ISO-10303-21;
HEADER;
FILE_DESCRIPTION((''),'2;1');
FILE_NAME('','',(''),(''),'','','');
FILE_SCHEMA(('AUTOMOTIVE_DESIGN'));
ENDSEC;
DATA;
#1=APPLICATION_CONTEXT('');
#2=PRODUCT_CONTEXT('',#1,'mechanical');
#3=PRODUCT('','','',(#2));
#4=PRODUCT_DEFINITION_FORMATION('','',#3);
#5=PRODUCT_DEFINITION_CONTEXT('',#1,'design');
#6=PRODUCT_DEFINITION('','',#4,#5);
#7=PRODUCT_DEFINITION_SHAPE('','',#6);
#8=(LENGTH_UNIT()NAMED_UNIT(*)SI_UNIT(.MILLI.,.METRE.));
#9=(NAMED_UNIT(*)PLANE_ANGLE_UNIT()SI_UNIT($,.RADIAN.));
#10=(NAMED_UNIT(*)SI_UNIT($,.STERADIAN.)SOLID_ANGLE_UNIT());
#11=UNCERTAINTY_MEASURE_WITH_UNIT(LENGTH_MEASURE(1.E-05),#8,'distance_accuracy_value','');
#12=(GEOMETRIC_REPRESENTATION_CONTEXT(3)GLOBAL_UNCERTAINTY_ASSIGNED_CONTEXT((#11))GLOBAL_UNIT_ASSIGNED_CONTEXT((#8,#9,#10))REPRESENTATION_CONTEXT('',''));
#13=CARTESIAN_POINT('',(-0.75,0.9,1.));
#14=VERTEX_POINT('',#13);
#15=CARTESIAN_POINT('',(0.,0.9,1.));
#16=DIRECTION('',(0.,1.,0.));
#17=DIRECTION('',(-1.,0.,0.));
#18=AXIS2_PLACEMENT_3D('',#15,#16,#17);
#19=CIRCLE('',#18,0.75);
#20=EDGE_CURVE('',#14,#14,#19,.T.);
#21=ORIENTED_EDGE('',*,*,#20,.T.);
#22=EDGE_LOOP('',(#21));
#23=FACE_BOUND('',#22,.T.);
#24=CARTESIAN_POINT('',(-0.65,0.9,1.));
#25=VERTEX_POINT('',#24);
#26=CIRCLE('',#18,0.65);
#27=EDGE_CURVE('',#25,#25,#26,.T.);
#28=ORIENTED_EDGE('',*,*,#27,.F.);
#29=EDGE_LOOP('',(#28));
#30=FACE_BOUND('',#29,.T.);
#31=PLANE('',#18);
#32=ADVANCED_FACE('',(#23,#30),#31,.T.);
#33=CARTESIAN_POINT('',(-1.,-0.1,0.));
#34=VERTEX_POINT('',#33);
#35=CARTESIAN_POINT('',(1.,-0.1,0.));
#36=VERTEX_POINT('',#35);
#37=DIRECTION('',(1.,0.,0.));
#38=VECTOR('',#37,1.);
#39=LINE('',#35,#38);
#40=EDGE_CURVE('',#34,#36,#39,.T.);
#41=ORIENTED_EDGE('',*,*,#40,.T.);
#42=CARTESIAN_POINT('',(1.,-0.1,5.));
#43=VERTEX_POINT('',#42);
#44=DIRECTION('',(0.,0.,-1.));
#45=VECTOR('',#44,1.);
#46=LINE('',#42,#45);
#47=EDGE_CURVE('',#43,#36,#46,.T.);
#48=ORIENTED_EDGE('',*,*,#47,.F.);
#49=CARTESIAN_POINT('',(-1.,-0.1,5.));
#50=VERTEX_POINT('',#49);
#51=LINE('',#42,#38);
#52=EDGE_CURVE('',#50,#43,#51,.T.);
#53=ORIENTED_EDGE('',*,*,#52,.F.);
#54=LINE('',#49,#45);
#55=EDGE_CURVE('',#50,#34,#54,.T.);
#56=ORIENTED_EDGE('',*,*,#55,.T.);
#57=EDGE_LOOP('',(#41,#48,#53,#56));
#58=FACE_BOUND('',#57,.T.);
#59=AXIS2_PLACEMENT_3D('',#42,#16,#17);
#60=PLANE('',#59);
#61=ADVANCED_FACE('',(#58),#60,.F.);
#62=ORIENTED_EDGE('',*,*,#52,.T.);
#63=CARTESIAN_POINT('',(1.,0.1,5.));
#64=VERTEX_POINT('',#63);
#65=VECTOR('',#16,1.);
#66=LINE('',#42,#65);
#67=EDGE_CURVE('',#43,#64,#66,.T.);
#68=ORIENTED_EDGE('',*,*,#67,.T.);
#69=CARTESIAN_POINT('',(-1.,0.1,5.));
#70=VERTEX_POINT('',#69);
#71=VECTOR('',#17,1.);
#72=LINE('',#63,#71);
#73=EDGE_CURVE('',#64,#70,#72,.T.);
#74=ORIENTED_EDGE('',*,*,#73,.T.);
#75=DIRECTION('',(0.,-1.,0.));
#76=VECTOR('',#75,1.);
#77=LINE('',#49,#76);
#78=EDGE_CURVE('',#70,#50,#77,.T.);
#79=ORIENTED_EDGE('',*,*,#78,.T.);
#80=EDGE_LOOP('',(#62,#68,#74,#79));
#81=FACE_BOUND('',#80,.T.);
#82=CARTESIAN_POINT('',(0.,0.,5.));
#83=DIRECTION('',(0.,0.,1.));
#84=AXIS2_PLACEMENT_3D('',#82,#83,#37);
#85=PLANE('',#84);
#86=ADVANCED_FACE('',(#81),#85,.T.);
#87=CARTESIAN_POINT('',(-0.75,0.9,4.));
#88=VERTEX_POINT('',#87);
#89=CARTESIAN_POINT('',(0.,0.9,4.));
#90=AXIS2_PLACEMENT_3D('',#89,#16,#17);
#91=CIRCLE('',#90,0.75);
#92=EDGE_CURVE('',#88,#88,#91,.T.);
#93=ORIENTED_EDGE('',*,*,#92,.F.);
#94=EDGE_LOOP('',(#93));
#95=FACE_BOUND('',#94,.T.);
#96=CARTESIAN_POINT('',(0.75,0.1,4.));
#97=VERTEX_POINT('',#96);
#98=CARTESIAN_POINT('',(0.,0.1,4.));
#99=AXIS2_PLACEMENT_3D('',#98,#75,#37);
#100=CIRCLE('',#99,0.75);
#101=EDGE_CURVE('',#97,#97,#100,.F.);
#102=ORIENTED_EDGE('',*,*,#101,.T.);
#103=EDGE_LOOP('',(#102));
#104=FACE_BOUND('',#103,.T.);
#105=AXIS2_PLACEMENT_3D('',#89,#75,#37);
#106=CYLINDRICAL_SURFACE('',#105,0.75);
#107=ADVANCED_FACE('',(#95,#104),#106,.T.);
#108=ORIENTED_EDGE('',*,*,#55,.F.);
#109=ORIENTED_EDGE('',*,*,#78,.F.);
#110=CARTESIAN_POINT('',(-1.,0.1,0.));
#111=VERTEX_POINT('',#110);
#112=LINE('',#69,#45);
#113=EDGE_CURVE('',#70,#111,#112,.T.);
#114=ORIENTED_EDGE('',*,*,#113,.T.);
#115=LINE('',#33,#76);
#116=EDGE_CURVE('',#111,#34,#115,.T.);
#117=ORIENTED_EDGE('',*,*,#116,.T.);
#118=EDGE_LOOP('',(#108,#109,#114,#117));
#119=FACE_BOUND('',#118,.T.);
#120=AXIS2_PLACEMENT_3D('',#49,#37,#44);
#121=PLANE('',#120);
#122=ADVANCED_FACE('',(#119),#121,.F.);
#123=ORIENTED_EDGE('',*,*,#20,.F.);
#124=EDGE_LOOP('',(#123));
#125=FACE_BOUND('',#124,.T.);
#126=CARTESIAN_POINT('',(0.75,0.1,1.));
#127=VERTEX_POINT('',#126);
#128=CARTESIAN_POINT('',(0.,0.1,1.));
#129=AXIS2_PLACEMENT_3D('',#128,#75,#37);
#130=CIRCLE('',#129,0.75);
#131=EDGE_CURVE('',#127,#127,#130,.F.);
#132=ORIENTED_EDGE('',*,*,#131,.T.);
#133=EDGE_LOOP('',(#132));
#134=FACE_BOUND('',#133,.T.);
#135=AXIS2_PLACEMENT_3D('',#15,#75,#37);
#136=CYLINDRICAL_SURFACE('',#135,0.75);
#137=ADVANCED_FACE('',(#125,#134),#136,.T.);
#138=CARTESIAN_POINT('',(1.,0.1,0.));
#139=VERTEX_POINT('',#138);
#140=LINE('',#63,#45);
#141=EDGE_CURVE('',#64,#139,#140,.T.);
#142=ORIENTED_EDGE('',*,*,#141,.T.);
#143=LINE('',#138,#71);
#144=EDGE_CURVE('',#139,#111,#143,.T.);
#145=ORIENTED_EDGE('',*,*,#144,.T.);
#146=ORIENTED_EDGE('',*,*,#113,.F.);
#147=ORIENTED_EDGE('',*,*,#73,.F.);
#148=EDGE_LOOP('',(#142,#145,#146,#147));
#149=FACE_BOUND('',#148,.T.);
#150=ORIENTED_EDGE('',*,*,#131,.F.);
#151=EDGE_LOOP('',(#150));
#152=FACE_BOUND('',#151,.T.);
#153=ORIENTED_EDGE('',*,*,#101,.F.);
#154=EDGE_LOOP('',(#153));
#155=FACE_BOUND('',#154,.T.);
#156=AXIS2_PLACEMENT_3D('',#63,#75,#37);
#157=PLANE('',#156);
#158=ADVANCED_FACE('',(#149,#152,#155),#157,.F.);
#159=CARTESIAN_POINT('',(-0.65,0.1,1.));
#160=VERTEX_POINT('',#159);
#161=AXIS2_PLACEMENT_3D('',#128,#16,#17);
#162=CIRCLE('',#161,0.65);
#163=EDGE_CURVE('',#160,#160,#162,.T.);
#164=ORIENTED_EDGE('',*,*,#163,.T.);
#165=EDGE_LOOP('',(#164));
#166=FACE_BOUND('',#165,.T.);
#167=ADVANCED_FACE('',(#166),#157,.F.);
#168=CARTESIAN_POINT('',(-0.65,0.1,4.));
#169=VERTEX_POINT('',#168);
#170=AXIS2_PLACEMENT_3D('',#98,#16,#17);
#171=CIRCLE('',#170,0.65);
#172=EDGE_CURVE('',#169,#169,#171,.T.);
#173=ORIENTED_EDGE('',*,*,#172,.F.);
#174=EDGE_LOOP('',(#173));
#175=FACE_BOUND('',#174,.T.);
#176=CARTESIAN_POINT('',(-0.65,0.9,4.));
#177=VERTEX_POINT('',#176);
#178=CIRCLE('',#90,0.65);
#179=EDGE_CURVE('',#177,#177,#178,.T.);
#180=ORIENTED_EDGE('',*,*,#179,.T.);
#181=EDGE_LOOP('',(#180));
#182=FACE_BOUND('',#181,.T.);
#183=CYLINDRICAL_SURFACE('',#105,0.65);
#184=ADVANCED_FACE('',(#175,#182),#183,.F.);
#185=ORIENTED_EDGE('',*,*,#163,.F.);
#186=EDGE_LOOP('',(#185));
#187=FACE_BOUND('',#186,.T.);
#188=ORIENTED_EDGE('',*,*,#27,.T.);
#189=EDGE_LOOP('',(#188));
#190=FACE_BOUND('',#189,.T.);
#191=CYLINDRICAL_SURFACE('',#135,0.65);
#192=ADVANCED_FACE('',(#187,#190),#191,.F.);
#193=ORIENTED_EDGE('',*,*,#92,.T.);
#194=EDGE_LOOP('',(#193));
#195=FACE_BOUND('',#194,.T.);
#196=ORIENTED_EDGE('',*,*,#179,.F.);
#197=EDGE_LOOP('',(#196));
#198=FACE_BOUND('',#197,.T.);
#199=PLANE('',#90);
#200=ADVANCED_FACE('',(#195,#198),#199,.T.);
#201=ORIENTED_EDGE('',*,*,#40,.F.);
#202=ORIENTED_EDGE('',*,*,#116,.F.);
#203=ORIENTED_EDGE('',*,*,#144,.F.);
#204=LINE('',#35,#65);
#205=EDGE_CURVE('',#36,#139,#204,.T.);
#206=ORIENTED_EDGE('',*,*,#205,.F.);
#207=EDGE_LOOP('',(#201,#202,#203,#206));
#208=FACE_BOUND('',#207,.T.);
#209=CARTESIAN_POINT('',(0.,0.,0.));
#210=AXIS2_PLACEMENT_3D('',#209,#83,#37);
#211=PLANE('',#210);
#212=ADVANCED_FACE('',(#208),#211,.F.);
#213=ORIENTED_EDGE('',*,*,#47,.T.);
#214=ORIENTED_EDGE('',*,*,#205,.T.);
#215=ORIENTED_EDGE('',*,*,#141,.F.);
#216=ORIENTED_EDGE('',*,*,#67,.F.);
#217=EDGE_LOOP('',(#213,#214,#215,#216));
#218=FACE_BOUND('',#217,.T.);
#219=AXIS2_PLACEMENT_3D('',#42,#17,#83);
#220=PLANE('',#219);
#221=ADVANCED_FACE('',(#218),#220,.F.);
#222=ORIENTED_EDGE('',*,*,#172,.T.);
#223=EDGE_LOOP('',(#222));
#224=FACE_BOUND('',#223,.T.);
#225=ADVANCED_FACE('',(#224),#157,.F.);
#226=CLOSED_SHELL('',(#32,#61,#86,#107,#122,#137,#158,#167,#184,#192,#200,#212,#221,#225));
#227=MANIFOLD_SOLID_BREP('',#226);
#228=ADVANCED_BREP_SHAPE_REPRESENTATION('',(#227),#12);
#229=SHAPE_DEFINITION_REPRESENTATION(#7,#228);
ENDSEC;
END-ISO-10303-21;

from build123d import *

# Parameters (mm, degrees)
SKETCH1_W           = 2
SKETCH1_H           = 0.2
BOSS_EXTRUDE1_DEPTH = 5
SKETCH2_R           = 0.75
SKETCH2_R_2         = 0.65
BOSS_EXTRUDE2_DEPTH = 0.8


with BuildPart() as part:
    # Sketch1 → Boss-Extrude1 (new body)
    with BuildSketch(Plane.XY):
        Rectangle(SKETCH1_W, SKETCH1_H)
    extrude(amount=BOSS_EXTRUDE1_DEPTH)

    # Sketch2 → Boss-Extrude2 (add)
    # profile 1 of 2: a face of its own
    with BuildSketch(Plane(origin=(0, 0.1, 0), x_dir=(1, 0, 0), z_dir=(0, 1, 0))):
        with Locations((0, -1)):
            Circle(SKETCH2_R)
        with Locations(Location((0, -1, 0), (0, 0, 180))):
            Circle(SKETCH2_R_2, mode=Mode.SUBTRACT)
    # profile 2 of 2: a face of its own
    with BuildSketch(Plane(origin=(0, 0.1, 0), x_dir=(1, 0, 0), z_dir=(0, 1, 0))):
        with Locations((0, -4)):
            Circle(SKETCH2_R)
        with Locations(Location((0, -4, 0), (0, 0, 180))):
            Circle(SKETCH2_R_2, mode=Mode.SUBTRACT)
    extrude(amount=BOSS_EXTRUDE2_DEPTH)


solid = part.part
